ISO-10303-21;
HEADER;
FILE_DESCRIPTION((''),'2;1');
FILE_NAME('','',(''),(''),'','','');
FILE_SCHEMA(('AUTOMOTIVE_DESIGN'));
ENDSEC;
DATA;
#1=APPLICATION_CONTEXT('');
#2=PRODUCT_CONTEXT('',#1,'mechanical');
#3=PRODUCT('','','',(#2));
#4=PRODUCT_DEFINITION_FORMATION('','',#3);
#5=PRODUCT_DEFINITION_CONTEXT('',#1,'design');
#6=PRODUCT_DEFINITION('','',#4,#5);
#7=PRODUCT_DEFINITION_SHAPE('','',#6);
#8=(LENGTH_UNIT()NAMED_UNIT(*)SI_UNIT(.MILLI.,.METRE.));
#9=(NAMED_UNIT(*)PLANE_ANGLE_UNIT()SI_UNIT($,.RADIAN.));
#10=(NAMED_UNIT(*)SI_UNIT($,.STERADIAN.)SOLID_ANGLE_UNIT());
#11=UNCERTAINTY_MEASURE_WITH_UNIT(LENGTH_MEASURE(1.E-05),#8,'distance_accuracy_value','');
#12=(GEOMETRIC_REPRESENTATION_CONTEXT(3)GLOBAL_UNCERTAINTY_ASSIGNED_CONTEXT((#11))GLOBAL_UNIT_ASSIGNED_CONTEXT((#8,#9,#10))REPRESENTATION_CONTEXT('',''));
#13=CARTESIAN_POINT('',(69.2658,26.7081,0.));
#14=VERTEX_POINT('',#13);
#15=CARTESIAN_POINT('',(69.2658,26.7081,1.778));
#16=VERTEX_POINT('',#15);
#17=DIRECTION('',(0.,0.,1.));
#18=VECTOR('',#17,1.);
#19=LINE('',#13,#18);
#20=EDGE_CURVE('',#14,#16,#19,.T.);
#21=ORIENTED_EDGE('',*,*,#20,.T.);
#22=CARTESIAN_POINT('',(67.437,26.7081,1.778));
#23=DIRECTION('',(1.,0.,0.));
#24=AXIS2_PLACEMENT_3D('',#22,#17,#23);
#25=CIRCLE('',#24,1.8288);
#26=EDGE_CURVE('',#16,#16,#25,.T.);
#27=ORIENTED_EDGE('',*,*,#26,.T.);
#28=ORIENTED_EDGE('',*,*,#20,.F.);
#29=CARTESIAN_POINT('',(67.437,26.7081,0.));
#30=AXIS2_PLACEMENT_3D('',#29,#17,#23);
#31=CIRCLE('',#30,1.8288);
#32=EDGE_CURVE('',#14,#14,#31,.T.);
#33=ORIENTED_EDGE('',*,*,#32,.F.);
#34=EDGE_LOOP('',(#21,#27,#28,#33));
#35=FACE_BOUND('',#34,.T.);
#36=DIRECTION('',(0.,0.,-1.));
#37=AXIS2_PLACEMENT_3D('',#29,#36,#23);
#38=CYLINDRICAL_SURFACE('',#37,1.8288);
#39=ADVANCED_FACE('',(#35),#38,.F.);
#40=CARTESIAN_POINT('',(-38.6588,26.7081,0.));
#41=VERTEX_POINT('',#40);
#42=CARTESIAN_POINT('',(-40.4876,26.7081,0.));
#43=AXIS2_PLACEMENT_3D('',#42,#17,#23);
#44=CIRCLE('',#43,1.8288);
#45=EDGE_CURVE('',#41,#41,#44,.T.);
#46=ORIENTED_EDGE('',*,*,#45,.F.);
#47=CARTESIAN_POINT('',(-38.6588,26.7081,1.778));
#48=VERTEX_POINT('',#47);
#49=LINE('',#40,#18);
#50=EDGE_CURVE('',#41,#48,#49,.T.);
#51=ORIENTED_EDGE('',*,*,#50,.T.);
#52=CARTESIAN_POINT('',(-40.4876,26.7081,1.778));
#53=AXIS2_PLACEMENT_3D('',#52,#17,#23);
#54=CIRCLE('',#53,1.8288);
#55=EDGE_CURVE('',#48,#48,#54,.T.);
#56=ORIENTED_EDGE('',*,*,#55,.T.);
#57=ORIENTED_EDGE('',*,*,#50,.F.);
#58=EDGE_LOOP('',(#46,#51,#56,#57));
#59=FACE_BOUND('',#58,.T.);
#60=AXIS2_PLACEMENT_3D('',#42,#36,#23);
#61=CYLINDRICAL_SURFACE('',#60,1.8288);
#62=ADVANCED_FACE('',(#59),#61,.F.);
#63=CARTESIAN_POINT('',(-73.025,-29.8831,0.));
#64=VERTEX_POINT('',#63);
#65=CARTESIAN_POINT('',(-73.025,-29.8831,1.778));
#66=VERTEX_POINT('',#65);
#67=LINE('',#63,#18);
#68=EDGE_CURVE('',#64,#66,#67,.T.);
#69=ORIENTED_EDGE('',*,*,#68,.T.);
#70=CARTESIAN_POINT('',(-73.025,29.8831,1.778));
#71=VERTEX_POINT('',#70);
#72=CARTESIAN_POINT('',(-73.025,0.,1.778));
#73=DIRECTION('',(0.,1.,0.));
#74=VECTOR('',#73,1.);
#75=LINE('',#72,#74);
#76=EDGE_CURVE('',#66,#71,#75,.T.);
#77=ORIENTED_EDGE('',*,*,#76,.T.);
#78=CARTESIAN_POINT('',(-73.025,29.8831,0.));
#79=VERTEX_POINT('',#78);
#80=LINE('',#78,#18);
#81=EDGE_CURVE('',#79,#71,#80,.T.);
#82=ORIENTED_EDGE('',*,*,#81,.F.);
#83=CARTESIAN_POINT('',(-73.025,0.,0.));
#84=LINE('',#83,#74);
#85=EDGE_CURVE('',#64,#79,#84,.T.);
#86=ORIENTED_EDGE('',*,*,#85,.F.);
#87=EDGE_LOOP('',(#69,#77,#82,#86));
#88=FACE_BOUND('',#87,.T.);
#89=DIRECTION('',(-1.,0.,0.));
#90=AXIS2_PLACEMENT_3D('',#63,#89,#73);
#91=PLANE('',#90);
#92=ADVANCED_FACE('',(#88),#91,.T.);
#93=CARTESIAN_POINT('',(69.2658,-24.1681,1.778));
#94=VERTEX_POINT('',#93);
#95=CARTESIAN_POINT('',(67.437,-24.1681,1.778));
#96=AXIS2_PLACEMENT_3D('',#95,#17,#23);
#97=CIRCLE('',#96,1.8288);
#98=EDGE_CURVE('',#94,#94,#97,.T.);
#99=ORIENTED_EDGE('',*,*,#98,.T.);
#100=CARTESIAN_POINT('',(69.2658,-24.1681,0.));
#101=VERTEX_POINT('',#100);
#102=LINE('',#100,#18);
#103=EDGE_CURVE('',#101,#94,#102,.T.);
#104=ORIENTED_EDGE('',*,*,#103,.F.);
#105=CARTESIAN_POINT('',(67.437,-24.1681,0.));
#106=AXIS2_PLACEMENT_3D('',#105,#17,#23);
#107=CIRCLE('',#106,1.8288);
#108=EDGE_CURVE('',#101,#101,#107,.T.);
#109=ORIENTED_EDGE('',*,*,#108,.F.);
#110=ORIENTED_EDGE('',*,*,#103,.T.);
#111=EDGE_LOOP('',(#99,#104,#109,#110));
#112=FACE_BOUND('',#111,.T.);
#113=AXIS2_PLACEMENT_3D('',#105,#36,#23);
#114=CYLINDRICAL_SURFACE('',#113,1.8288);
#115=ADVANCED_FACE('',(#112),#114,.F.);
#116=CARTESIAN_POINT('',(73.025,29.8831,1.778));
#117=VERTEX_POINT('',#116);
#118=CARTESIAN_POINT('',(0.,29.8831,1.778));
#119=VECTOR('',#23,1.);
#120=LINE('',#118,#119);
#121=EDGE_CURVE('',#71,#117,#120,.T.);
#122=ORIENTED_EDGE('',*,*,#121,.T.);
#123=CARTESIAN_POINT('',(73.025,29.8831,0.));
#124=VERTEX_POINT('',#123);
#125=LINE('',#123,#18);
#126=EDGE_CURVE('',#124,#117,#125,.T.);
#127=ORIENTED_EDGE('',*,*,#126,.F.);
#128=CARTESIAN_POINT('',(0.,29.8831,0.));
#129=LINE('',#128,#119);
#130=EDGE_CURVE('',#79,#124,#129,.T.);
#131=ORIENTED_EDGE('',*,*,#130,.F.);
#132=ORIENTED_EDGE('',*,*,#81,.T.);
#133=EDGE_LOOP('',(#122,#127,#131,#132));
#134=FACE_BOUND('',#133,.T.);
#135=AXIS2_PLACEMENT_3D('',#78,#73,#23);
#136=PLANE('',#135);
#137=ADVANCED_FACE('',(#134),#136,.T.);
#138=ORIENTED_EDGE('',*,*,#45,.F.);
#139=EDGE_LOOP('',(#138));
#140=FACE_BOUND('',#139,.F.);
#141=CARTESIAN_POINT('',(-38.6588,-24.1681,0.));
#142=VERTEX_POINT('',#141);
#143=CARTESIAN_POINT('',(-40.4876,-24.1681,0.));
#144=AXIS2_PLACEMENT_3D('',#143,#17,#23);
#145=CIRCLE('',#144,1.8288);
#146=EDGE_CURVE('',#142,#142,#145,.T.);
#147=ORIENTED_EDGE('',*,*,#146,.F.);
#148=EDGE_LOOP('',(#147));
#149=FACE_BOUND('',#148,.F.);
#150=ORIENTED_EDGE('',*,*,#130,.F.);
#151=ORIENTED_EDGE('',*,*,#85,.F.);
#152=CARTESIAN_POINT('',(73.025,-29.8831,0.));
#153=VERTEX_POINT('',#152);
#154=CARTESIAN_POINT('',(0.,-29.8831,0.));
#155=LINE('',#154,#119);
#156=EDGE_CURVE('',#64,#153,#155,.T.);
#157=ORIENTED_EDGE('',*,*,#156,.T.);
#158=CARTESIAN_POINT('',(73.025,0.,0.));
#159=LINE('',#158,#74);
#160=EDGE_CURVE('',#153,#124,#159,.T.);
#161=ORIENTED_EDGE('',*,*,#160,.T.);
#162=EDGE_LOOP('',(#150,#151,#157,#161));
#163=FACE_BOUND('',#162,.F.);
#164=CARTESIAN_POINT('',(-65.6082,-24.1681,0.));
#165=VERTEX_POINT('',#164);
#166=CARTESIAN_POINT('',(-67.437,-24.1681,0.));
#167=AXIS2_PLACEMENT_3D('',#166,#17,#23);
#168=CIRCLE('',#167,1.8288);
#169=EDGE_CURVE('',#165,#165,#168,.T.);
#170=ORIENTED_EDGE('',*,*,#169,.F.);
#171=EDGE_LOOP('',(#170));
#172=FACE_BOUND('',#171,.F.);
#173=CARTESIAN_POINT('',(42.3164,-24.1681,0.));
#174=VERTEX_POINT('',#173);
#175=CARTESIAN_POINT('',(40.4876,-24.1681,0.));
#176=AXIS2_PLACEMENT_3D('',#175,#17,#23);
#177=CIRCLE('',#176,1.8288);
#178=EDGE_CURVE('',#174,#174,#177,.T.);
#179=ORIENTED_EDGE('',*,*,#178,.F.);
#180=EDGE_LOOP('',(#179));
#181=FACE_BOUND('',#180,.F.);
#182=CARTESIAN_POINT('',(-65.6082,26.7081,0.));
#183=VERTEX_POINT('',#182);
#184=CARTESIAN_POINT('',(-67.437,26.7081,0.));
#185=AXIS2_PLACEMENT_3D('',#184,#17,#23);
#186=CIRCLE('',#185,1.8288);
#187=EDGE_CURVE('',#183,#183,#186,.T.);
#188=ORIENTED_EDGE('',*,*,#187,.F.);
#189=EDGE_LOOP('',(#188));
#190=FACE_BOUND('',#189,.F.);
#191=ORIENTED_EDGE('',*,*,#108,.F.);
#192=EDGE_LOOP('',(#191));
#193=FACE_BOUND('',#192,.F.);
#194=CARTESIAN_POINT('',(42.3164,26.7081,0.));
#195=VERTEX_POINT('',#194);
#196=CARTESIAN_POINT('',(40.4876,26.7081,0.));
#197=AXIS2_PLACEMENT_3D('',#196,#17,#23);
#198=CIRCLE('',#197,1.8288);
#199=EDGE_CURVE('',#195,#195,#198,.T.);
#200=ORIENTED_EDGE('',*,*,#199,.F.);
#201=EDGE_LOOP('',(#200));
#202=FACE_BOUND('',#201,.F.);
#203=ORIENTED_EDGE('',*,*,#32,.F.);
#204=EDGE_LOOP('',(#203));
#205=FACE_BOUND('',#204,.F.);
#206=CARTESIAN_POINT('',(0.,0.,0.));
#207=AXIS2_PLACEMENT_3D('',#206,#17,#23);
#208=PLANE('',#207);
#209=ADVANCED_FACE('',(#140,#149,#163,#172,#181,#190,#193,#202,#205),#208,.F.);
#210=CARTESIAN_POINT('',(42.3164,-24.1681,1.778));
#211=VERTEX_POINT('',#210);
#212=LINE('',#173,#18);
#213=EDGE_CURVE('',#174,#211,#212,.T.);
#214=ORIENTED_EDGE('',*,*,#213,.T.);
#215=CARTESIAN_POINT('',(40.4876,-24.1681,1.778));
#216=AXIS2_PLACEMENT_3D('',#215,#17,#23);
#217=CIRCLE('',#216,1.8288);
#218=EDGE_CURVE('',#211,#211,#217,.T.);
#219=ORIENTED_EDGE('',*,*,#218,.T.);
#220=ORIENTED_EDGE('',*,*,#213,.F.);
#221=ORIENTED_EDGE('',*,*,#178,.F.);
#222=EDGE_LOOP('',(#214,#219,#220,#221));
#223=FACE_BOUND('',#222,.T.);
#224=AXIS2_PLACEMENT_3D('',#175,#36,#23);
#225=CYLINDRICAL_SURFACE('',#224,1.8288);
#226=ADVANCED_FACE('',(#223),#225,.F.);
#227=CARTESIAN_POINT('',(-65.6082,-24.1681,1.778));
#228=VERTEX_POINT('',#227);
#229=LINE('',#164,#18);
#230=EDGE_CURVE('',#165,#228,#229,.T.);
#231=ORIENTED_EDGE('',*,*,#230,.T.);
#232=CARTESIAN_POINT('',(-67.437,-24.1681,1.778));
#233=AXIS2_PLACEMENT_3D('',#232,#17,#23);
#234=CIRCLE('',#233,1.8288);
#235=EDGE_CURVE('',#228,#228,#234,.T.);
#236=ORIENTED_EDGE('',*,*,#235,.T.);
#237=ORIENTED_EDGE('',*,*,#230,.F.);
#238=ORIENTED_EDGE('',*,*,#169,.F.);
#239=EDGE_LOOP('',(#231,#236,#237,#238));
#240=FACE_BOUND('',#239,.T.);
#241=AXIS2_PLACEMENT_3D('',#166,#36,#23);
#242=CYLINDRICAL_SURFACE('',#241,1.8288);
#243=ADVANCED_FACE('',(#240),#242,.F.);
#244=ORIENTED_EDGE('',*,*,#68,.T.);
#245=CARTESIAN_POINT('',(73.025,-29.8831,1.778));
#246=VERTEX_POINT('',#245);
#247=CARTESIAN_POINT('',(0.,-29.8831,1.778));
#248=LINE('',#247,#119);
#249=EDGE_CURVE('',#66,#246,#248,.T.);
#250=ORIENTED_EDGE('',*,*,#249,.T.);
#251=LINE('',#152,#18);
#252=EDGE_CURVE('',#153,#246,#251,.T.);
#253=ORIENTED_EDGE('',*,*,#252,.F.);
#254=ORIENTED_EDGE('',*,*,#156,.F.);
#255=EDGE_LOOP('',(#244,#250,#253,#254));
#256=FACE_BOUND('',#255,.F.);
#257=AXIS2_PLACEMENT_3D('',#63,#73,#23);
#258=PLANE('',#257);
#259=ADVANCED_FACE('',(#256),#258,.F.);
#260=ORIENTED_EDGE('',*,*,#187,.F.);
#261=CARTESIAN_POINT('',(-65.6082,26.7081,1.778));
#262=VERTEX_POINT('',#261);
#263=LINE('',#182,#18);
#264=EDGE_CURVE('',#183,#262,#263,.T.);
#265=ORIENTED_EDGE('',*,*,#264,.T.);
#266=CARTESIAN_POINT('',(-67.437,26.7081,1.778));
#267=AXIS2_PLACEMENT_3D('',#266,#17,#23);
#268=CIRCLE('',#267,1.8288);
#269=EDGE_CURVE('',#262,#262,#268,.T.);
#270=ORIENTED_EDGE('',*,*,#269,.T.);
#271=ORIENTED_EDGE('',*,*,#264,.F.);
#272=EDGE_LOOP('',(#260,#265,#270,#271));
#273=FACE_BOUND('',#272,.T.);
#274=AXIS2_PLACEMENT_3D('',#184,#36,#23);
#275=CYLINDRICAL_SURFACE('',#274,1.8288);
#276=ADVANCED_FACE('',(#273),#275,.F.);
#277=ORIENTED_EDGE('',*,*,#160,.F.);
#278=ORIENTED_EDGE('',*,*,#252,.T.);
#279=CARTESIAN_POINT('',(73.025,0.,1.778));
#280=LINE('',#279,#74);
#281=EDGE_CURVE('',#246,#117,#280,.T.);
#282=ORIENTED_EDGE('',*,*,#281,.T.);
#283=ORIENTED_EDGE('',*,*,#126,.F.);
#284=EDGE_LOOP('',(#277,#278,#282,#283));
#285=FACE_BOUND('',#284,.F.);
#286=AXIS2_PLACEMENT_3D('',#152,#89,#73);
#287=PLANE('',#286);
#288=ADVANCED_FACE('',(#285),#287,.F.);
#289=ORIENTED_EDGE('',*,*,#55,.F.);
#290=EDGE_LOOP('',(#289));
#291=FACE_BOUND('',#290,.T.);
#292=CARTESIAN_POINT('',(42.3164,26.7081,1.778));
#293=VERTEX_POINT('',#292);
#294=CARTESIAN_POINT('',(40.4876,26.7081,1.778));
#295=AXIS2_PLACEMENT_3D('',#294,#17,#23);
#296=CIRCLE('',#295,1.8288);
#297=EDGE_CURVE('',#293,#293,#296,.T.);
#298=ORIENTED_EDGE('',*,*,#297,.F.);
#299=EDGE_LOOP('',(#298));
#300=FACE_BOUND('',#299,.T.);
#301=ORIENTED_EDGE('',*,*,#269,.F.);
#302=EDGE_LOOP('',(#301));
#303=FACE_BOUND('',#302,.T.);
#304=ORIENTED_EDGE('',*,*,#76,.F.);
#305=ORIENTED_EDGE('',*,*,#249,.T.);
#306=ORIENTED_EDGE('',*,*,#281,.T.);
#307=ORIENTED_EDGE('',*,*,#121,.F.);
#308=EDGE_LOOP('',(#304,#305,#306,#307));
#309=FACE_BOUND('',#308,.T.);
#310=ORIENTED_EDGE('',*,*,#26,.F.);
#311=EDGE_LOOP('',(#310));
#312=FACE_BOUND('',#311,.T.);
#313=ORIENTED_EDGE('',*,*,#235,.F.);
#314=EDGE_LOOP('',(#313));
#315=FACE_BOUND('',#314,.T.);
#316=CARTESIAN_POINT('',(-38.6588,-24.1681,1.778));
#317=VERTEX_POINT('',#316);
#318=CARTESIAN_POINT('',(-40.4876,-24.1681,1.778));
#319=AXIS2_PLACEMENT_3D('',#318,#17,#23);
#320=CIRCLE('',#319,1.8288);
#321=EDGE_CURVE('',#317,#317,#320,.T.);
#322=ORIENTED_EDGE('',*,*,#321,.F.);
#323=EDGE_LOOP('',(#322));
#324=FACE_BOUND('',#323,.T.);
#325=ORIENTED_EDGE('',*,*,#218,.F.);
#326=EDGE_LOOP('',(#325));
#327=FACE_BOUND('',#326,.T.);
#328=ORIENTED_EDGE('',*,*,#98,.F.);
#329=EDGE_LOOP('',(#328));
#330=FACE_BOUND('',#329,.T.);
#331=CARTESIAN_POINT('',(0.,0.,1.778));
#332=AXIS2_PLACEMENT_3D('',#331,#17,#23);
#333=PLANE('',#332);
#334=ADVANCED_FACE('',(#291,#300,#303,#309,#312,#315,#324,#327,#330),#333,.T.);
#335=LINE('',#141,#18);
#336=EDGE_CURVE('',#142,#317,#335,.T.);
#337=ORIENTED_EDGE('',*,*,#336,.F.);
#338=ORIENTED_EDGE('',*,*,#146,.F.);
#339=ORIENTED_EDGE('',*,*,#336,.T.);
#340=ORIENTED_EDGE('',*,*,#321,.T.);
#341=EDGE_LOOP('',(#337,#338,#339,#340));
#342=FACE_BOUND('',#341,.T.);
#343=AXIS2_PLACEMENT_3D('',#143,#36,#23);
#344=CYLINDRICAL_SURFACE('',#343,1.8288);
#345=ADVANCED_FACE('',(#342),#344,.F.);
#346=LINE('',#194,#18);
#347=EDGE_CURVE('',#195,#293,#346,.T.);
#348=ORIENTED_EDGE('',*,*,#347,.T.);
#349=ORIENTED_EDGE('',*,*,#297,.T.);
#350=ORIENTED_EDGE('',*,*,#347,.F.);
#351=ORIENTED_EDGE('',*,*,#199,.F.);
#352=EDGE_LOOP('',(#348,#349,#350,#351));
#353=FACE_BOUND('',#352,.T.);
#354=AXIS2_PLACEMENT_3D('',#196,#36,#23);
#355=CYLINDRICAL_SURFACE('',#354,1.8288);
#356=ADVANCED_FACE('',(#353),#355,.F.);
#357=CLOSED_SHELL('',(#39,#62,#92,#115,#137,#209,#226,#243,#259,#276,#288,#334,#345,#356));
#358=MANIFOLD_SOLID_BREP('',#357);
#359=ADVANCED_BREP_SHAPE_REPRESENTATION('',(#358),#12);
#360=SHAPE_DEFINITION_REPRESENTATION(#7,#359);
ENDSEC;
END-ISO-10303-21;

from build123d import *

# Parameters (mm, degrees)
F0_W     = 146.05
F0_H     = 59.7662
F0_R     = 1.8288
F1_DEPTH = 1.778


with BuildPart() as f1:
    # F0 (on Top) → F1 (new body)
    with BuildSketch(Plane.XY):
        Rectangle(F0_W, F0_H)
        with Locations((-67.437, -24.1681)):
            Circle(F0_R, mode=Mode.SUBTRACT)
        with Locations((-40.4876, -24.1681)):
            Circle(F0_R, mode=Mode.SUBTRACT)
        with Locations((40.4876, -24.1681)):
            Circle(F0_R, mode=Mode.SUBTRACT)
        with Locations((67.437, -24.1681)):
            Circle(F0_R, mode=Mode.SUBTRACT)
        with Locations((-67.437, 26.7081)):
            Circle(F0_R, mode=Mode.SUBTRACT)
        with Locations((-40.4876, 26.7081)):
            Circle(F0_R, mode=Mode.SUBTRACT)
        with Locations((40.4876, 26.7081)):
            Circle(F0_R, mode=Mode.SUBTRACT)
        with Locations((67.437, 26.7081)):
            Circle(F0_R, mode=Mode.SUBTRACT)
    extrude(amount=F1_DEPTH)


solid = f1.part
